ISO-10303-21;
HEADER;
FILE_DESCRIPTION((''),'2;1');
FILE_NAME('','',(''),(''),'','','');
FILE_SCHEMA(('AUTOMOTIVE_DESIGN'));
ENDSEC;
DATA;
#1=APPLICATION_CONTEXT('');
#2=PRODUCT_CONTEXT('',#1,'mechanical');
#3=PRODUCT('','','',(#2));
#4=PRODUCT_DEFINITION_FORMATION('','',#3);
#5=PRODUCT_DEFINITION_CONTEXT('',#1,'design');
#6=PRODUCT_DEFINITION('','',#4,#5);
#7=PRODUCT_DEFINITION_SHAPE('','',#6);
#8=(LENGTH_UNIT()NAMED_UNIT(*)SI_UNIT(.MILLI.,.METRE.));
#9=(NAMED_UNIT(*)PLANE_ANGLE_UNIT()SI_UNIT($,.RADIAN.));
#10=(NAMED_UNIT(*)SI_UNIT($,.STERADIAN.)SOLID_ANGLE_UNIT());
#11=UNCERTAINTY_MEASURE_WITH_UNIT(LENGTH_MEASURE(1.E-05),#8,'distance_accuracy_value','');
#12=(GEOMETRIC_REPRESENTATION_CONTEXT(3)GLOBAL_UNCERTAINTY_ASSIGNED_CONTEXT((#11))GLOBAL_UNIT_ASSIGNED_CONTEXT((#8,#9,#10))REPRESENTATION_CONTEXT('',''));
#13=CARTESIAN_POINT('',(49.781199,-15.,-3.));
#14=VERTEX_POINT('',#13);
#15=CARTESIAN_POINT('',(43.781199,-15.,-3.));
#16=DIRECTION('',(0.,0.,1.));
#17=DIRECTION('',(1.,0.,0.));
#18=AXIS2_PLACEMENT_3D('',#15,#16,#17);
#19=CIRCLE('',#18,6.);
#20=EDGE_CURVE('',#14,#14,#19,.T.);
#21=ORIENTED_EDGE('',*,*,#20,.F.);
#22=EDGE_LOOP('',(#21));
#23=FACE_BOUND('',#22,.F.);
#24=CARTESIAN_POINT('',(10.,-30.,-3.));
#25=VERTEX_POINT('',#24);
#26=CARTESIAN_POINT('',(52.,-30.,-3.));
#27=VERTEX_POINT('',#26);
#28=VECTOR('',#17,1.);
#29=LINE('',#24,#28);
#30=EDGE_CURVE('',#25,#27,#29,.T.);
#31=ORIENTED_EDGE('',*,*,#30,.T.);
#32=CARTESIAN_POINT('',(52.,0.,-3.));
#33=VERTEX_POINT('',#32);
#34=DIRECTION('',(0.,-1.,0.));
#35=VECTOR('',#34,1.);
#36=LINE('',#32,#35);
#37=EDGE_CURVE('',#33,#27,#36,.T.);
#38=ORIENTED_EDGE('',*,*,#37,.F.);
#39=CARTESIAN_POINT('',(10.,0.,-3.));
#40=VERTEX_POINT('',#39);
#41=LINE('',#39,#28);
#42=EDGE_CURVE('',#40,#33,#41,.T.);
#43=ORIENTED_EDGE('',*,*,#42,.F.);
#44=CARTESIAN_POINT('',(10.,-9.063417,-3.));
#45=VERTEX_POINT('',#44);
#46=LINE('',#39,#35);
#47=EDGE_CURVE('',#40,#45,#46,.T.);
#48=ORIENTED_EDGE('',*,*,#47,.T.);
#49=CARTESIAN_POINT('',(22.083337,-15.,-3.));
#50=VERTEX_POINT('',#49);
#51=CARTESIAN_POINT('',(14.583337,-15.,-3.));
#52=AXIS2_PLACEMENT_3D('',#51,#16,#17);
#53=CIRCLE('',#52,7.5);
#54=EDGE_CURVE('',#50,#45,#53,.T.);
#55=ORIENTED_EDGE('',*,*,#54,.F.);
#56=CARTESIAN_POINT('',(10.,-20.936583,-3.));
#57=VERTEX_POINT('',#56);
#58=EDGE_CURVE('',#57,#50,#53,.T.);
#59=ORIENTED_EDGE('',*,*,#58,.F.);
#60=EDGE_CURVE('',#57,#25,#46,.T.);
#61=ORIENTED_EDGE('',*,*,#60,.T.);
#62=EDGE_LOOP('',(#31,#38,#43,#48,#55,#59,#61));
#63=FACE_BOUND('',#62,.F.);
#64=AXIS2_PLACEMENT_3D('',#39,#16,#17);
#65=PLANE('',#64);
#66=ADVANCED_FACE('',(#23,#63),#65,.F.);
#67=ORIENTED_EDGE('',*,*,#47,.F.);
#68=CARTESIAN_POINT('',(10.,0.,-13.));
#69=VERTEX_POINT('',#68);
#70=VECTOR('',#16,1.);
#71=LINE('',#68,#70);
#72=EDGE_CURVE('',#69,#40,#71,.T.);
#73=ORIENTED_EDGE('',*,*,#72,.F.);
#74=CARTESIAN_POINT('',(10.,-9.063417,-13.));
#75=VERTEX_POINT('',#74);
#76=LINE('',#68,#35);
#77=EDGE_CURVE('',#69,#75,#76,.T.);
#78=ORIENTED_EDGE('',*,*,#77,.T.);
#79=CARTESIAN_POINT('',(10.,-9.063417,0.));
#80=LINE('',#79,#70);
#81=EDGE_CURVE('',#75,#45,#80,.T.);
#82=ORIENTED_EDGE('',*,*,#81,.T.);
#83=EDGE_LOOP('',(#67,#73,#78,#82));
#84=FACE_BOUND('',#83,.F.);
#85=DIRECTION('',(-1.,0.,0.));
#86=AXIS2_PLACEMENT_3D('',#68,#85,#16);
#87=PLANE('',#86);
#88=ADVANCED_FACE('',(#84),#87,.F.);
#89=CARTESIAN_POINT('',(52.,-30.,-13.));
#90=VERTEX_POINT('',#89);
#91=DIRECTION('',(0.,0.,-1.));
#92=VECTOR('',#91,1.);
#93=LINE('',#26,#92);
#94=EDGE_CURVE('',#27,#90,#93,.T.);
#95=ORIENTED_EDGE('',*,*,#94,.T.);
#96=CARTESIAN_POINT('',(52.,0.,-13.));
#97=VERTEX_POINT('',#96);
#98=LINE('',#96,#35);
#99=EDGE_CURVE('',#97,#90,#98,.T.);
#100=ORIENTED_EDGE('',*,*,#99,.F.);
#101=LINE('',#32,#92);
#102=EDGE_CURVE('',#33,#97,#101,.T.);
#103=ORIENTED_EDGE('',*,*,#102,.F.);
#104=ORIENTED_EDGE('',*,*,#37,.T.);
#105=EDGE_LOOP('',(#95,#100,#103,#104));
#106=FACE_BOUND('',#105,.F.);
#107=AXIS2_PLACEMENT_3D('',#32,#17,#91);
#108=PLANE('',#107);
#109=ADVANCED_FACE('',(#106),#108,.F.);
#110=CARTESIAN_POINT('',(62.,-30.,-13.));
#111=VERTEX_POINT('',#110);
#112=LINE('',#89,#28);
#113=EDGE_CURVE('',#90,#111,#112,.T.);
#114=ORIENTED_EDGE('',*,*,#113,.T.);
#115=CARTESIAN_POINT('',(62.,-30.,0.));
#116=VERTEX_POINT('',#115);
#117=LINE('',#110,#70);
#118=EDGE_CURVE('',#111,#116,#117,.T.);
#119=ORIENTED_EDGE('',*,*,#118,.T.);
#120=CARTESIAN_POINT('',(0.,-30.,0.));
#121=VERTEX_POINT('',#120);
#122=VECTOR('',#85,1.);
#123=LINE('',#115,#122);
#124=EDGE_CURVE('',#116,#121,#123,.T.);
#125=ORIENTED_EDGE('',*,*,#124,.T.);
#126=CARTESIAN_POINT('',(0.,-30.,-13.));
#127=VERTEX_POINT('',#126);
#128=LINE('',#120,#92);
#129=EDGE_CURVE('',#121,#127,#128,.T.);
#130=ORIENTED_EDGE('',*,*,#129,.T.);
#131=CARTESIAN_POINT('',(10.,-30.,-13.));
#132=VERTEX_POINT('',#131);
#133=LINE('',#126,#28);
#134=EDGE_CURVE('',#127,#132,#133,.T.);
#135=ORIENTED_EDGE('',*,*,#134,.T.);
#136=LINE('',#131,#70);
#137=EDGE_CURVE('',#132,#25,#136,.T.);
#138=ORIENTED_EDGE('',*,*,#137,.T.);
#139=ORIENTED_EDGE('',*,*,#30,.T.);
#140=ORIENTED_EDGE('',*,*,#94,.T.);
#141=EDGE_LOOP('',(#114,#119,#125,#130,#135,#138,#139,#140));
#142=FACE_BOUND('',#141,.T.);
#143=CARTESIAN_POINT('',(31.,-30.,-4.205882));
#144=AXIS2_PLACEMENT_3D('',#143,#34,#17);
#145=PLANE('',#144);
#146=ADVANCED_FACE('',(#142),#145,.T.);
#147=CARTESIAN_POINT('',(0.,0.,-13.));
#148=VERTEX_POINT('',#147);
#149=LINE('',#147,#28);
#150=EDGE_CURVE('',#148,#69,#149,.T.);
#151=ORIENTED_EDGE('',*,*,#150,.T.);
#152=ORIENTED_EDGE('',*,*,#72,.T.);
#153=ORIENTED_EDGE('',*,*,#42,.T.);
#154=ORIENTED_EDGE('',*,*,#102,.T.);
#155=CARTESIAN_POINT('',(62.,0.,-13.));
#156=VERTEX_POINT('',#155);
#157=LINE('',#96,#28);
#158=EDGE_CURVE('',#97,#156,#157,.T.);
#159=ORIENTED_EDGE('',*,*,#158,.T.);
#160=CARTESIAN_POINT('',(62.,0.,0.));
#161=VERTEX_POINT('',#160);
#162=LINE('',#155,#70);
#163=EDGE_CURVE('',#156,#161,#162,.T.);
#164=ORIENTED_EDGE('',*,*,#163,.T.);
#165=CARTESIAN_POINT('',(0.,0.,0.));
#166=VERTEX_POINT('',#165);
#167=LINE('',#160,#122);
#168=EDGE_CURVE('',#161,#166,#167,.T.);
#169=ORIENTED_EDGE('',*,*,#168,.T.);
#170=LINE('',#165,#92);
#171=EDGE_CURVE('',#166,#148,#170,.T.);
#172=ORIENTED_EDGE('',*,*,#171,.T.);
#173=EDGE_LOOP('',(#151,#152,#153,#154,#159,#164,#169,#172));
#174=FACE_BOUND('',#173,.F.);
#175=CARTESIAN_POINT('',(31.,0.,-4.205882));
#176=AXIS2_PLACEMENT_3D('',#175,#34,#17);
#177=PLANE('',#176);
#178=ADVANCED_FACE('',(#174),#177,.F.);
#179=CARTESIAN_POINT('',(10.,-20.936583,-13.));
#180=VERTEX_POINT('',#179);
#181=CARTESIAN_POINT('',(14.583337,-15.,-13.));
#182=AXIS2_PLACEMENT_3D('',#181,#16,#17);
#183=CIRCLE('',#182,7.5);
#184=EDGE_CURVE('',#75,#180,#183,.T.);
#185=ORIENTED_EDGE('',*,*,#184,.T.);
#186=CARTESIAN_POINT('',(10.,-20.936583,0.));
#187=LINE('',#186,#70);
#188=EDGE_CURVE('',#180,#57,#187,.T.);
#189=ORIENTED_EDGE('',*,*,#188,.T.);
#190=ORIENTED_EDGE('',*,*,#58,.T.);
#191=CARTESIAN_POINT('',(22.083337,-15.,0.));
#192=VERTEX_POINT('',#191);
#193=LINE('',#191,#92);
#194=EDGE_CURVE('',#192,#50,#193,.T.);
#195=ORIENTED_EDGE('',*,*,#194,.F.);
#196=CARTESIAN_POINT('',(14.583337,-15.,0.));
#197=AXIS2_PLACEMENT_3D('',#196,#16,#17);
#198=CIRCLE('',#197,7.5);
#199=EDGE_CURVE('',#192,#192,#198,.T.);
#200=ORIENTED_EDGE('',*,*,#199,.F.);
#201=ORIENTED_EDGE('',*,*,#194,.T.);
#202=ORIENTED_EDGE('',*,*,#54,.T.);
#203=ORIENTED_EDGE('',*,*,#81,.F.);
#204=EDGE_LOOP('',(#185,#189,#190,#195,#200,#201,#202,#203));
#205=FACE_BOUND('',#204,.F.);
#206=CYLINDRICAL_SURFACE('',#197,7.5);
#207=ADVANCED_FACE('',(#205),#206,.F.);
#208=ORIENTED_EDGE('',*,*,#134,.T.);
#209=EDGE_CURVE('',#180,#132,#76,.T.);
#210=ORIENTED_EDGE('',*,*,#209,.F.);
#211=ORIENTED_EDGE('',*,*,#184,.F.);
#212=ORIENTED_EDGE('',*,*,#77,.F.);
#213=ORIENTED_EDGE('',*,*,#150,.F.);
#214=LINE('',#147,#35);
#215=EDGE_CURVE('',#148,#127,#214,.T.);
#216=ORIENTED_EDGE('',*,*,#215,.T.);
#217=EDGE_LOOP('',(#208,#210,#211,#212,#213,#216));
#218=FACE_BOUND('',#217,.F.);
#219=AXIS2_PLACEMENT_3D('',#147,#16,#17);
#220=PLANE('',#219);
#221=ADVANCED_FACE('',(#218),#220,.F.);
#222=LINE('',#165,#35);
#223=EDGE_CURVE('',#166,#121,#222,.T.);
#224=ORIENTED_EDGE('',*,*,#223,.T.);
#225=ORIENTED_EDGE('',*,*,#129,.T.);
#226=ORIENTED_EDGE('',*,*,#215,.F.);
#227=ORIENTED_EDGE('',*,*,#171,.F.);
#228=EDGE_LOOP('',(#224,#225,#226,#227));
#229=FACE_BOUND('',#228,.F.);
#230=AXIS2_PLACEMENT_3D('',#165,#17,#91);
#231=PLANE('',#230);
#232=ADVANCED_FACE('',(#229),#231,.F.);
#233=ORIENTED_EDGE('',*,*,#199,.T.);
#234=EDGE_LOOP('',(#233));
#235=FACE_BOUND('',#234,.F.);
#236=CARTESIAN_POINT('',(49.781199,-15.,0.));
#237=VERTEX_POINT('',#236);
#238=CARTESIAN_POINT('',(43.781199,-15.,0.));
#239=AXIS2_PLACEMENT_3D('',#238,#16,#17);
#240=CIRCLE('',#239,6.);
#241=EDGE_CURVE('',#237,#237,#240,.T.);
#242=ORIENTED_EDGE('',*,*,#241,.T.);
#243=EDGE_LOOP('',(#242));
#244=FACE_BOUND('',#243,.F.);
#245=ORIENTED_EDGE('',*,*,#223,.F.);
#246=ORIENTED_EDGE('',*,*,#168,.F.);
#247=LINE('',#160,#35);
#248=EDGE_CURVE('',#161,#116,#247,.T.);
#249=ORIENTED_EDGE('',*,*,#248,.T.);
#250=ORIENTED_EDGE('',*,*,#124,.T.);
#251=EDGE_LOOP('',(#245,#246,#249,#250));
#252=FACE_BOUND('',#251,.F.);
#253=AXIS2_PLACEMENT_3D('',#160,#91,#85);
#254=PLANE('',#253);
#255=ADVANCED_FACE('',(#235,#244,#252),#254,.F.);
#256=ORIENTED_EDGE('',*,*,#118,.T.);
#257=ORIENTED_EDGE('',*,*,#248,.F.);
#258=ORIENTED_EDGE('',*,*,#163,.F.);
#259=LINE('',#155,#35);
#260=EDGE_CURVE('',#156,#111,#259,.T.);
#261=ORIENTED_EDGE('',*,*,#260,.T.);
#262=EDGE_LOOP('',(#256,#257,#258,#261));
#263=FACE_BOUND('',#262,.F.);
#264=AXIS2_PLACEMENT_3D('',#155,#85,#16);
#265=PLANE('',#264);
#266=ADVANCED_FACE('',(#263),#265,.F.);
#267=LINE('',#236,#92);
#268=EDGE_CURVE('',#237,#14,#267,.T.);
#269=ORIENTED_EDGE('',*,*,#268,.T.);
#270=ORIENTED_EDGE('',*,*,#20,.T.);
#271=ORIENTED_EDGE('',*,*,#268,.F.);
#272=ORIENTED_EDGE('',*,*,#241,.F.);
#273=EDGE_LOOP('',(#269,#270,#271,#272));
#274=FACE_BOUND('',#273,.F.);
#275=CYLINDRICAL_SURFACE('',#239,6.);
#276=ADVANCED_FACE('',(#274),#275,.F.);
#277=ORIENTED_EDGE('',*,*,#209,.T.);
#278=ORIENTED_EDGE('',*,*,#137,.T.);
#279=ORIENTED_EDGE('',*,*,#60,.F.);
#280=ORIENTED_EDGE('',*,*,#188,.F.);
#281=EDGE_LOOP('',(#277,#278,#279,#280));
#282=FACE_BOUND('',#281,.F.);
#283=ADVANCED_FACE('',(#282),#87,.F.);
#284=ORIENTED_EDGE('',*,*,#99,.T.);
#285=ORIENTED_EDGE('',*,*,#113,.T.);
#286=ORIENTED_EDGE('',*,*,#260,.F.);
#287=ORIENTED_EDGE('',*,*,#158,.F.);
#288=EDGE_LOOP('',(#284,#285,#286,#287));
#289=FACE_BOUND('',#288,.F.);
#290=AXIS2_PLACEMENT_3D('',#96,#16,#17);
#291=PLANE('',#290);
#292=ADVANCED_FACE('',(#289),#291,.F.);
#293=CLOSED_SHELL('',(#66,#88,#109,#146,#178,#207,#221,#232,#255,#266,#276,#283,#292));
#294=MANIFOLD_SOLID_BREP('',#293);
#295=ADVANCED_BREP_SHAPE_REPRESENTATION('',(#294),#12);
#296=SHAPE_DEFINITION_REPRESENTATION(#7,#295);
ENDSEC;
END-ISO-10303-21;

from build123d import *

# Parameters (mm, degrees)
F1_DEPTH = 30
F2_R     = 6
F2_R_2   = 7.5
F3_DEPTH = 13.001


with BuildPart() as f1:
    # F0 (on Front) → F1 (new body)
    with BuildSketch(Plane.XZ):
        Polygon((62, 0), (0, 0), (0, -13), (10, -13), (10, -3), (52, -3), (52, -13), (62, -13), align=None)
    extrude(amount=F1_DEPTH)

    # F2 (on face) → F3 (cut, through all)
    with BuildSketch(Plane.XY):
        with Locations((43.781199, -15)):
            Circle(F2_R)
        with Locations((14.583337, -15)):
            Circle(F2_R_2)
    extrude(amount=-F3_DEPTH, mode=Mode.SUBTRACT)


solid = f1.part
